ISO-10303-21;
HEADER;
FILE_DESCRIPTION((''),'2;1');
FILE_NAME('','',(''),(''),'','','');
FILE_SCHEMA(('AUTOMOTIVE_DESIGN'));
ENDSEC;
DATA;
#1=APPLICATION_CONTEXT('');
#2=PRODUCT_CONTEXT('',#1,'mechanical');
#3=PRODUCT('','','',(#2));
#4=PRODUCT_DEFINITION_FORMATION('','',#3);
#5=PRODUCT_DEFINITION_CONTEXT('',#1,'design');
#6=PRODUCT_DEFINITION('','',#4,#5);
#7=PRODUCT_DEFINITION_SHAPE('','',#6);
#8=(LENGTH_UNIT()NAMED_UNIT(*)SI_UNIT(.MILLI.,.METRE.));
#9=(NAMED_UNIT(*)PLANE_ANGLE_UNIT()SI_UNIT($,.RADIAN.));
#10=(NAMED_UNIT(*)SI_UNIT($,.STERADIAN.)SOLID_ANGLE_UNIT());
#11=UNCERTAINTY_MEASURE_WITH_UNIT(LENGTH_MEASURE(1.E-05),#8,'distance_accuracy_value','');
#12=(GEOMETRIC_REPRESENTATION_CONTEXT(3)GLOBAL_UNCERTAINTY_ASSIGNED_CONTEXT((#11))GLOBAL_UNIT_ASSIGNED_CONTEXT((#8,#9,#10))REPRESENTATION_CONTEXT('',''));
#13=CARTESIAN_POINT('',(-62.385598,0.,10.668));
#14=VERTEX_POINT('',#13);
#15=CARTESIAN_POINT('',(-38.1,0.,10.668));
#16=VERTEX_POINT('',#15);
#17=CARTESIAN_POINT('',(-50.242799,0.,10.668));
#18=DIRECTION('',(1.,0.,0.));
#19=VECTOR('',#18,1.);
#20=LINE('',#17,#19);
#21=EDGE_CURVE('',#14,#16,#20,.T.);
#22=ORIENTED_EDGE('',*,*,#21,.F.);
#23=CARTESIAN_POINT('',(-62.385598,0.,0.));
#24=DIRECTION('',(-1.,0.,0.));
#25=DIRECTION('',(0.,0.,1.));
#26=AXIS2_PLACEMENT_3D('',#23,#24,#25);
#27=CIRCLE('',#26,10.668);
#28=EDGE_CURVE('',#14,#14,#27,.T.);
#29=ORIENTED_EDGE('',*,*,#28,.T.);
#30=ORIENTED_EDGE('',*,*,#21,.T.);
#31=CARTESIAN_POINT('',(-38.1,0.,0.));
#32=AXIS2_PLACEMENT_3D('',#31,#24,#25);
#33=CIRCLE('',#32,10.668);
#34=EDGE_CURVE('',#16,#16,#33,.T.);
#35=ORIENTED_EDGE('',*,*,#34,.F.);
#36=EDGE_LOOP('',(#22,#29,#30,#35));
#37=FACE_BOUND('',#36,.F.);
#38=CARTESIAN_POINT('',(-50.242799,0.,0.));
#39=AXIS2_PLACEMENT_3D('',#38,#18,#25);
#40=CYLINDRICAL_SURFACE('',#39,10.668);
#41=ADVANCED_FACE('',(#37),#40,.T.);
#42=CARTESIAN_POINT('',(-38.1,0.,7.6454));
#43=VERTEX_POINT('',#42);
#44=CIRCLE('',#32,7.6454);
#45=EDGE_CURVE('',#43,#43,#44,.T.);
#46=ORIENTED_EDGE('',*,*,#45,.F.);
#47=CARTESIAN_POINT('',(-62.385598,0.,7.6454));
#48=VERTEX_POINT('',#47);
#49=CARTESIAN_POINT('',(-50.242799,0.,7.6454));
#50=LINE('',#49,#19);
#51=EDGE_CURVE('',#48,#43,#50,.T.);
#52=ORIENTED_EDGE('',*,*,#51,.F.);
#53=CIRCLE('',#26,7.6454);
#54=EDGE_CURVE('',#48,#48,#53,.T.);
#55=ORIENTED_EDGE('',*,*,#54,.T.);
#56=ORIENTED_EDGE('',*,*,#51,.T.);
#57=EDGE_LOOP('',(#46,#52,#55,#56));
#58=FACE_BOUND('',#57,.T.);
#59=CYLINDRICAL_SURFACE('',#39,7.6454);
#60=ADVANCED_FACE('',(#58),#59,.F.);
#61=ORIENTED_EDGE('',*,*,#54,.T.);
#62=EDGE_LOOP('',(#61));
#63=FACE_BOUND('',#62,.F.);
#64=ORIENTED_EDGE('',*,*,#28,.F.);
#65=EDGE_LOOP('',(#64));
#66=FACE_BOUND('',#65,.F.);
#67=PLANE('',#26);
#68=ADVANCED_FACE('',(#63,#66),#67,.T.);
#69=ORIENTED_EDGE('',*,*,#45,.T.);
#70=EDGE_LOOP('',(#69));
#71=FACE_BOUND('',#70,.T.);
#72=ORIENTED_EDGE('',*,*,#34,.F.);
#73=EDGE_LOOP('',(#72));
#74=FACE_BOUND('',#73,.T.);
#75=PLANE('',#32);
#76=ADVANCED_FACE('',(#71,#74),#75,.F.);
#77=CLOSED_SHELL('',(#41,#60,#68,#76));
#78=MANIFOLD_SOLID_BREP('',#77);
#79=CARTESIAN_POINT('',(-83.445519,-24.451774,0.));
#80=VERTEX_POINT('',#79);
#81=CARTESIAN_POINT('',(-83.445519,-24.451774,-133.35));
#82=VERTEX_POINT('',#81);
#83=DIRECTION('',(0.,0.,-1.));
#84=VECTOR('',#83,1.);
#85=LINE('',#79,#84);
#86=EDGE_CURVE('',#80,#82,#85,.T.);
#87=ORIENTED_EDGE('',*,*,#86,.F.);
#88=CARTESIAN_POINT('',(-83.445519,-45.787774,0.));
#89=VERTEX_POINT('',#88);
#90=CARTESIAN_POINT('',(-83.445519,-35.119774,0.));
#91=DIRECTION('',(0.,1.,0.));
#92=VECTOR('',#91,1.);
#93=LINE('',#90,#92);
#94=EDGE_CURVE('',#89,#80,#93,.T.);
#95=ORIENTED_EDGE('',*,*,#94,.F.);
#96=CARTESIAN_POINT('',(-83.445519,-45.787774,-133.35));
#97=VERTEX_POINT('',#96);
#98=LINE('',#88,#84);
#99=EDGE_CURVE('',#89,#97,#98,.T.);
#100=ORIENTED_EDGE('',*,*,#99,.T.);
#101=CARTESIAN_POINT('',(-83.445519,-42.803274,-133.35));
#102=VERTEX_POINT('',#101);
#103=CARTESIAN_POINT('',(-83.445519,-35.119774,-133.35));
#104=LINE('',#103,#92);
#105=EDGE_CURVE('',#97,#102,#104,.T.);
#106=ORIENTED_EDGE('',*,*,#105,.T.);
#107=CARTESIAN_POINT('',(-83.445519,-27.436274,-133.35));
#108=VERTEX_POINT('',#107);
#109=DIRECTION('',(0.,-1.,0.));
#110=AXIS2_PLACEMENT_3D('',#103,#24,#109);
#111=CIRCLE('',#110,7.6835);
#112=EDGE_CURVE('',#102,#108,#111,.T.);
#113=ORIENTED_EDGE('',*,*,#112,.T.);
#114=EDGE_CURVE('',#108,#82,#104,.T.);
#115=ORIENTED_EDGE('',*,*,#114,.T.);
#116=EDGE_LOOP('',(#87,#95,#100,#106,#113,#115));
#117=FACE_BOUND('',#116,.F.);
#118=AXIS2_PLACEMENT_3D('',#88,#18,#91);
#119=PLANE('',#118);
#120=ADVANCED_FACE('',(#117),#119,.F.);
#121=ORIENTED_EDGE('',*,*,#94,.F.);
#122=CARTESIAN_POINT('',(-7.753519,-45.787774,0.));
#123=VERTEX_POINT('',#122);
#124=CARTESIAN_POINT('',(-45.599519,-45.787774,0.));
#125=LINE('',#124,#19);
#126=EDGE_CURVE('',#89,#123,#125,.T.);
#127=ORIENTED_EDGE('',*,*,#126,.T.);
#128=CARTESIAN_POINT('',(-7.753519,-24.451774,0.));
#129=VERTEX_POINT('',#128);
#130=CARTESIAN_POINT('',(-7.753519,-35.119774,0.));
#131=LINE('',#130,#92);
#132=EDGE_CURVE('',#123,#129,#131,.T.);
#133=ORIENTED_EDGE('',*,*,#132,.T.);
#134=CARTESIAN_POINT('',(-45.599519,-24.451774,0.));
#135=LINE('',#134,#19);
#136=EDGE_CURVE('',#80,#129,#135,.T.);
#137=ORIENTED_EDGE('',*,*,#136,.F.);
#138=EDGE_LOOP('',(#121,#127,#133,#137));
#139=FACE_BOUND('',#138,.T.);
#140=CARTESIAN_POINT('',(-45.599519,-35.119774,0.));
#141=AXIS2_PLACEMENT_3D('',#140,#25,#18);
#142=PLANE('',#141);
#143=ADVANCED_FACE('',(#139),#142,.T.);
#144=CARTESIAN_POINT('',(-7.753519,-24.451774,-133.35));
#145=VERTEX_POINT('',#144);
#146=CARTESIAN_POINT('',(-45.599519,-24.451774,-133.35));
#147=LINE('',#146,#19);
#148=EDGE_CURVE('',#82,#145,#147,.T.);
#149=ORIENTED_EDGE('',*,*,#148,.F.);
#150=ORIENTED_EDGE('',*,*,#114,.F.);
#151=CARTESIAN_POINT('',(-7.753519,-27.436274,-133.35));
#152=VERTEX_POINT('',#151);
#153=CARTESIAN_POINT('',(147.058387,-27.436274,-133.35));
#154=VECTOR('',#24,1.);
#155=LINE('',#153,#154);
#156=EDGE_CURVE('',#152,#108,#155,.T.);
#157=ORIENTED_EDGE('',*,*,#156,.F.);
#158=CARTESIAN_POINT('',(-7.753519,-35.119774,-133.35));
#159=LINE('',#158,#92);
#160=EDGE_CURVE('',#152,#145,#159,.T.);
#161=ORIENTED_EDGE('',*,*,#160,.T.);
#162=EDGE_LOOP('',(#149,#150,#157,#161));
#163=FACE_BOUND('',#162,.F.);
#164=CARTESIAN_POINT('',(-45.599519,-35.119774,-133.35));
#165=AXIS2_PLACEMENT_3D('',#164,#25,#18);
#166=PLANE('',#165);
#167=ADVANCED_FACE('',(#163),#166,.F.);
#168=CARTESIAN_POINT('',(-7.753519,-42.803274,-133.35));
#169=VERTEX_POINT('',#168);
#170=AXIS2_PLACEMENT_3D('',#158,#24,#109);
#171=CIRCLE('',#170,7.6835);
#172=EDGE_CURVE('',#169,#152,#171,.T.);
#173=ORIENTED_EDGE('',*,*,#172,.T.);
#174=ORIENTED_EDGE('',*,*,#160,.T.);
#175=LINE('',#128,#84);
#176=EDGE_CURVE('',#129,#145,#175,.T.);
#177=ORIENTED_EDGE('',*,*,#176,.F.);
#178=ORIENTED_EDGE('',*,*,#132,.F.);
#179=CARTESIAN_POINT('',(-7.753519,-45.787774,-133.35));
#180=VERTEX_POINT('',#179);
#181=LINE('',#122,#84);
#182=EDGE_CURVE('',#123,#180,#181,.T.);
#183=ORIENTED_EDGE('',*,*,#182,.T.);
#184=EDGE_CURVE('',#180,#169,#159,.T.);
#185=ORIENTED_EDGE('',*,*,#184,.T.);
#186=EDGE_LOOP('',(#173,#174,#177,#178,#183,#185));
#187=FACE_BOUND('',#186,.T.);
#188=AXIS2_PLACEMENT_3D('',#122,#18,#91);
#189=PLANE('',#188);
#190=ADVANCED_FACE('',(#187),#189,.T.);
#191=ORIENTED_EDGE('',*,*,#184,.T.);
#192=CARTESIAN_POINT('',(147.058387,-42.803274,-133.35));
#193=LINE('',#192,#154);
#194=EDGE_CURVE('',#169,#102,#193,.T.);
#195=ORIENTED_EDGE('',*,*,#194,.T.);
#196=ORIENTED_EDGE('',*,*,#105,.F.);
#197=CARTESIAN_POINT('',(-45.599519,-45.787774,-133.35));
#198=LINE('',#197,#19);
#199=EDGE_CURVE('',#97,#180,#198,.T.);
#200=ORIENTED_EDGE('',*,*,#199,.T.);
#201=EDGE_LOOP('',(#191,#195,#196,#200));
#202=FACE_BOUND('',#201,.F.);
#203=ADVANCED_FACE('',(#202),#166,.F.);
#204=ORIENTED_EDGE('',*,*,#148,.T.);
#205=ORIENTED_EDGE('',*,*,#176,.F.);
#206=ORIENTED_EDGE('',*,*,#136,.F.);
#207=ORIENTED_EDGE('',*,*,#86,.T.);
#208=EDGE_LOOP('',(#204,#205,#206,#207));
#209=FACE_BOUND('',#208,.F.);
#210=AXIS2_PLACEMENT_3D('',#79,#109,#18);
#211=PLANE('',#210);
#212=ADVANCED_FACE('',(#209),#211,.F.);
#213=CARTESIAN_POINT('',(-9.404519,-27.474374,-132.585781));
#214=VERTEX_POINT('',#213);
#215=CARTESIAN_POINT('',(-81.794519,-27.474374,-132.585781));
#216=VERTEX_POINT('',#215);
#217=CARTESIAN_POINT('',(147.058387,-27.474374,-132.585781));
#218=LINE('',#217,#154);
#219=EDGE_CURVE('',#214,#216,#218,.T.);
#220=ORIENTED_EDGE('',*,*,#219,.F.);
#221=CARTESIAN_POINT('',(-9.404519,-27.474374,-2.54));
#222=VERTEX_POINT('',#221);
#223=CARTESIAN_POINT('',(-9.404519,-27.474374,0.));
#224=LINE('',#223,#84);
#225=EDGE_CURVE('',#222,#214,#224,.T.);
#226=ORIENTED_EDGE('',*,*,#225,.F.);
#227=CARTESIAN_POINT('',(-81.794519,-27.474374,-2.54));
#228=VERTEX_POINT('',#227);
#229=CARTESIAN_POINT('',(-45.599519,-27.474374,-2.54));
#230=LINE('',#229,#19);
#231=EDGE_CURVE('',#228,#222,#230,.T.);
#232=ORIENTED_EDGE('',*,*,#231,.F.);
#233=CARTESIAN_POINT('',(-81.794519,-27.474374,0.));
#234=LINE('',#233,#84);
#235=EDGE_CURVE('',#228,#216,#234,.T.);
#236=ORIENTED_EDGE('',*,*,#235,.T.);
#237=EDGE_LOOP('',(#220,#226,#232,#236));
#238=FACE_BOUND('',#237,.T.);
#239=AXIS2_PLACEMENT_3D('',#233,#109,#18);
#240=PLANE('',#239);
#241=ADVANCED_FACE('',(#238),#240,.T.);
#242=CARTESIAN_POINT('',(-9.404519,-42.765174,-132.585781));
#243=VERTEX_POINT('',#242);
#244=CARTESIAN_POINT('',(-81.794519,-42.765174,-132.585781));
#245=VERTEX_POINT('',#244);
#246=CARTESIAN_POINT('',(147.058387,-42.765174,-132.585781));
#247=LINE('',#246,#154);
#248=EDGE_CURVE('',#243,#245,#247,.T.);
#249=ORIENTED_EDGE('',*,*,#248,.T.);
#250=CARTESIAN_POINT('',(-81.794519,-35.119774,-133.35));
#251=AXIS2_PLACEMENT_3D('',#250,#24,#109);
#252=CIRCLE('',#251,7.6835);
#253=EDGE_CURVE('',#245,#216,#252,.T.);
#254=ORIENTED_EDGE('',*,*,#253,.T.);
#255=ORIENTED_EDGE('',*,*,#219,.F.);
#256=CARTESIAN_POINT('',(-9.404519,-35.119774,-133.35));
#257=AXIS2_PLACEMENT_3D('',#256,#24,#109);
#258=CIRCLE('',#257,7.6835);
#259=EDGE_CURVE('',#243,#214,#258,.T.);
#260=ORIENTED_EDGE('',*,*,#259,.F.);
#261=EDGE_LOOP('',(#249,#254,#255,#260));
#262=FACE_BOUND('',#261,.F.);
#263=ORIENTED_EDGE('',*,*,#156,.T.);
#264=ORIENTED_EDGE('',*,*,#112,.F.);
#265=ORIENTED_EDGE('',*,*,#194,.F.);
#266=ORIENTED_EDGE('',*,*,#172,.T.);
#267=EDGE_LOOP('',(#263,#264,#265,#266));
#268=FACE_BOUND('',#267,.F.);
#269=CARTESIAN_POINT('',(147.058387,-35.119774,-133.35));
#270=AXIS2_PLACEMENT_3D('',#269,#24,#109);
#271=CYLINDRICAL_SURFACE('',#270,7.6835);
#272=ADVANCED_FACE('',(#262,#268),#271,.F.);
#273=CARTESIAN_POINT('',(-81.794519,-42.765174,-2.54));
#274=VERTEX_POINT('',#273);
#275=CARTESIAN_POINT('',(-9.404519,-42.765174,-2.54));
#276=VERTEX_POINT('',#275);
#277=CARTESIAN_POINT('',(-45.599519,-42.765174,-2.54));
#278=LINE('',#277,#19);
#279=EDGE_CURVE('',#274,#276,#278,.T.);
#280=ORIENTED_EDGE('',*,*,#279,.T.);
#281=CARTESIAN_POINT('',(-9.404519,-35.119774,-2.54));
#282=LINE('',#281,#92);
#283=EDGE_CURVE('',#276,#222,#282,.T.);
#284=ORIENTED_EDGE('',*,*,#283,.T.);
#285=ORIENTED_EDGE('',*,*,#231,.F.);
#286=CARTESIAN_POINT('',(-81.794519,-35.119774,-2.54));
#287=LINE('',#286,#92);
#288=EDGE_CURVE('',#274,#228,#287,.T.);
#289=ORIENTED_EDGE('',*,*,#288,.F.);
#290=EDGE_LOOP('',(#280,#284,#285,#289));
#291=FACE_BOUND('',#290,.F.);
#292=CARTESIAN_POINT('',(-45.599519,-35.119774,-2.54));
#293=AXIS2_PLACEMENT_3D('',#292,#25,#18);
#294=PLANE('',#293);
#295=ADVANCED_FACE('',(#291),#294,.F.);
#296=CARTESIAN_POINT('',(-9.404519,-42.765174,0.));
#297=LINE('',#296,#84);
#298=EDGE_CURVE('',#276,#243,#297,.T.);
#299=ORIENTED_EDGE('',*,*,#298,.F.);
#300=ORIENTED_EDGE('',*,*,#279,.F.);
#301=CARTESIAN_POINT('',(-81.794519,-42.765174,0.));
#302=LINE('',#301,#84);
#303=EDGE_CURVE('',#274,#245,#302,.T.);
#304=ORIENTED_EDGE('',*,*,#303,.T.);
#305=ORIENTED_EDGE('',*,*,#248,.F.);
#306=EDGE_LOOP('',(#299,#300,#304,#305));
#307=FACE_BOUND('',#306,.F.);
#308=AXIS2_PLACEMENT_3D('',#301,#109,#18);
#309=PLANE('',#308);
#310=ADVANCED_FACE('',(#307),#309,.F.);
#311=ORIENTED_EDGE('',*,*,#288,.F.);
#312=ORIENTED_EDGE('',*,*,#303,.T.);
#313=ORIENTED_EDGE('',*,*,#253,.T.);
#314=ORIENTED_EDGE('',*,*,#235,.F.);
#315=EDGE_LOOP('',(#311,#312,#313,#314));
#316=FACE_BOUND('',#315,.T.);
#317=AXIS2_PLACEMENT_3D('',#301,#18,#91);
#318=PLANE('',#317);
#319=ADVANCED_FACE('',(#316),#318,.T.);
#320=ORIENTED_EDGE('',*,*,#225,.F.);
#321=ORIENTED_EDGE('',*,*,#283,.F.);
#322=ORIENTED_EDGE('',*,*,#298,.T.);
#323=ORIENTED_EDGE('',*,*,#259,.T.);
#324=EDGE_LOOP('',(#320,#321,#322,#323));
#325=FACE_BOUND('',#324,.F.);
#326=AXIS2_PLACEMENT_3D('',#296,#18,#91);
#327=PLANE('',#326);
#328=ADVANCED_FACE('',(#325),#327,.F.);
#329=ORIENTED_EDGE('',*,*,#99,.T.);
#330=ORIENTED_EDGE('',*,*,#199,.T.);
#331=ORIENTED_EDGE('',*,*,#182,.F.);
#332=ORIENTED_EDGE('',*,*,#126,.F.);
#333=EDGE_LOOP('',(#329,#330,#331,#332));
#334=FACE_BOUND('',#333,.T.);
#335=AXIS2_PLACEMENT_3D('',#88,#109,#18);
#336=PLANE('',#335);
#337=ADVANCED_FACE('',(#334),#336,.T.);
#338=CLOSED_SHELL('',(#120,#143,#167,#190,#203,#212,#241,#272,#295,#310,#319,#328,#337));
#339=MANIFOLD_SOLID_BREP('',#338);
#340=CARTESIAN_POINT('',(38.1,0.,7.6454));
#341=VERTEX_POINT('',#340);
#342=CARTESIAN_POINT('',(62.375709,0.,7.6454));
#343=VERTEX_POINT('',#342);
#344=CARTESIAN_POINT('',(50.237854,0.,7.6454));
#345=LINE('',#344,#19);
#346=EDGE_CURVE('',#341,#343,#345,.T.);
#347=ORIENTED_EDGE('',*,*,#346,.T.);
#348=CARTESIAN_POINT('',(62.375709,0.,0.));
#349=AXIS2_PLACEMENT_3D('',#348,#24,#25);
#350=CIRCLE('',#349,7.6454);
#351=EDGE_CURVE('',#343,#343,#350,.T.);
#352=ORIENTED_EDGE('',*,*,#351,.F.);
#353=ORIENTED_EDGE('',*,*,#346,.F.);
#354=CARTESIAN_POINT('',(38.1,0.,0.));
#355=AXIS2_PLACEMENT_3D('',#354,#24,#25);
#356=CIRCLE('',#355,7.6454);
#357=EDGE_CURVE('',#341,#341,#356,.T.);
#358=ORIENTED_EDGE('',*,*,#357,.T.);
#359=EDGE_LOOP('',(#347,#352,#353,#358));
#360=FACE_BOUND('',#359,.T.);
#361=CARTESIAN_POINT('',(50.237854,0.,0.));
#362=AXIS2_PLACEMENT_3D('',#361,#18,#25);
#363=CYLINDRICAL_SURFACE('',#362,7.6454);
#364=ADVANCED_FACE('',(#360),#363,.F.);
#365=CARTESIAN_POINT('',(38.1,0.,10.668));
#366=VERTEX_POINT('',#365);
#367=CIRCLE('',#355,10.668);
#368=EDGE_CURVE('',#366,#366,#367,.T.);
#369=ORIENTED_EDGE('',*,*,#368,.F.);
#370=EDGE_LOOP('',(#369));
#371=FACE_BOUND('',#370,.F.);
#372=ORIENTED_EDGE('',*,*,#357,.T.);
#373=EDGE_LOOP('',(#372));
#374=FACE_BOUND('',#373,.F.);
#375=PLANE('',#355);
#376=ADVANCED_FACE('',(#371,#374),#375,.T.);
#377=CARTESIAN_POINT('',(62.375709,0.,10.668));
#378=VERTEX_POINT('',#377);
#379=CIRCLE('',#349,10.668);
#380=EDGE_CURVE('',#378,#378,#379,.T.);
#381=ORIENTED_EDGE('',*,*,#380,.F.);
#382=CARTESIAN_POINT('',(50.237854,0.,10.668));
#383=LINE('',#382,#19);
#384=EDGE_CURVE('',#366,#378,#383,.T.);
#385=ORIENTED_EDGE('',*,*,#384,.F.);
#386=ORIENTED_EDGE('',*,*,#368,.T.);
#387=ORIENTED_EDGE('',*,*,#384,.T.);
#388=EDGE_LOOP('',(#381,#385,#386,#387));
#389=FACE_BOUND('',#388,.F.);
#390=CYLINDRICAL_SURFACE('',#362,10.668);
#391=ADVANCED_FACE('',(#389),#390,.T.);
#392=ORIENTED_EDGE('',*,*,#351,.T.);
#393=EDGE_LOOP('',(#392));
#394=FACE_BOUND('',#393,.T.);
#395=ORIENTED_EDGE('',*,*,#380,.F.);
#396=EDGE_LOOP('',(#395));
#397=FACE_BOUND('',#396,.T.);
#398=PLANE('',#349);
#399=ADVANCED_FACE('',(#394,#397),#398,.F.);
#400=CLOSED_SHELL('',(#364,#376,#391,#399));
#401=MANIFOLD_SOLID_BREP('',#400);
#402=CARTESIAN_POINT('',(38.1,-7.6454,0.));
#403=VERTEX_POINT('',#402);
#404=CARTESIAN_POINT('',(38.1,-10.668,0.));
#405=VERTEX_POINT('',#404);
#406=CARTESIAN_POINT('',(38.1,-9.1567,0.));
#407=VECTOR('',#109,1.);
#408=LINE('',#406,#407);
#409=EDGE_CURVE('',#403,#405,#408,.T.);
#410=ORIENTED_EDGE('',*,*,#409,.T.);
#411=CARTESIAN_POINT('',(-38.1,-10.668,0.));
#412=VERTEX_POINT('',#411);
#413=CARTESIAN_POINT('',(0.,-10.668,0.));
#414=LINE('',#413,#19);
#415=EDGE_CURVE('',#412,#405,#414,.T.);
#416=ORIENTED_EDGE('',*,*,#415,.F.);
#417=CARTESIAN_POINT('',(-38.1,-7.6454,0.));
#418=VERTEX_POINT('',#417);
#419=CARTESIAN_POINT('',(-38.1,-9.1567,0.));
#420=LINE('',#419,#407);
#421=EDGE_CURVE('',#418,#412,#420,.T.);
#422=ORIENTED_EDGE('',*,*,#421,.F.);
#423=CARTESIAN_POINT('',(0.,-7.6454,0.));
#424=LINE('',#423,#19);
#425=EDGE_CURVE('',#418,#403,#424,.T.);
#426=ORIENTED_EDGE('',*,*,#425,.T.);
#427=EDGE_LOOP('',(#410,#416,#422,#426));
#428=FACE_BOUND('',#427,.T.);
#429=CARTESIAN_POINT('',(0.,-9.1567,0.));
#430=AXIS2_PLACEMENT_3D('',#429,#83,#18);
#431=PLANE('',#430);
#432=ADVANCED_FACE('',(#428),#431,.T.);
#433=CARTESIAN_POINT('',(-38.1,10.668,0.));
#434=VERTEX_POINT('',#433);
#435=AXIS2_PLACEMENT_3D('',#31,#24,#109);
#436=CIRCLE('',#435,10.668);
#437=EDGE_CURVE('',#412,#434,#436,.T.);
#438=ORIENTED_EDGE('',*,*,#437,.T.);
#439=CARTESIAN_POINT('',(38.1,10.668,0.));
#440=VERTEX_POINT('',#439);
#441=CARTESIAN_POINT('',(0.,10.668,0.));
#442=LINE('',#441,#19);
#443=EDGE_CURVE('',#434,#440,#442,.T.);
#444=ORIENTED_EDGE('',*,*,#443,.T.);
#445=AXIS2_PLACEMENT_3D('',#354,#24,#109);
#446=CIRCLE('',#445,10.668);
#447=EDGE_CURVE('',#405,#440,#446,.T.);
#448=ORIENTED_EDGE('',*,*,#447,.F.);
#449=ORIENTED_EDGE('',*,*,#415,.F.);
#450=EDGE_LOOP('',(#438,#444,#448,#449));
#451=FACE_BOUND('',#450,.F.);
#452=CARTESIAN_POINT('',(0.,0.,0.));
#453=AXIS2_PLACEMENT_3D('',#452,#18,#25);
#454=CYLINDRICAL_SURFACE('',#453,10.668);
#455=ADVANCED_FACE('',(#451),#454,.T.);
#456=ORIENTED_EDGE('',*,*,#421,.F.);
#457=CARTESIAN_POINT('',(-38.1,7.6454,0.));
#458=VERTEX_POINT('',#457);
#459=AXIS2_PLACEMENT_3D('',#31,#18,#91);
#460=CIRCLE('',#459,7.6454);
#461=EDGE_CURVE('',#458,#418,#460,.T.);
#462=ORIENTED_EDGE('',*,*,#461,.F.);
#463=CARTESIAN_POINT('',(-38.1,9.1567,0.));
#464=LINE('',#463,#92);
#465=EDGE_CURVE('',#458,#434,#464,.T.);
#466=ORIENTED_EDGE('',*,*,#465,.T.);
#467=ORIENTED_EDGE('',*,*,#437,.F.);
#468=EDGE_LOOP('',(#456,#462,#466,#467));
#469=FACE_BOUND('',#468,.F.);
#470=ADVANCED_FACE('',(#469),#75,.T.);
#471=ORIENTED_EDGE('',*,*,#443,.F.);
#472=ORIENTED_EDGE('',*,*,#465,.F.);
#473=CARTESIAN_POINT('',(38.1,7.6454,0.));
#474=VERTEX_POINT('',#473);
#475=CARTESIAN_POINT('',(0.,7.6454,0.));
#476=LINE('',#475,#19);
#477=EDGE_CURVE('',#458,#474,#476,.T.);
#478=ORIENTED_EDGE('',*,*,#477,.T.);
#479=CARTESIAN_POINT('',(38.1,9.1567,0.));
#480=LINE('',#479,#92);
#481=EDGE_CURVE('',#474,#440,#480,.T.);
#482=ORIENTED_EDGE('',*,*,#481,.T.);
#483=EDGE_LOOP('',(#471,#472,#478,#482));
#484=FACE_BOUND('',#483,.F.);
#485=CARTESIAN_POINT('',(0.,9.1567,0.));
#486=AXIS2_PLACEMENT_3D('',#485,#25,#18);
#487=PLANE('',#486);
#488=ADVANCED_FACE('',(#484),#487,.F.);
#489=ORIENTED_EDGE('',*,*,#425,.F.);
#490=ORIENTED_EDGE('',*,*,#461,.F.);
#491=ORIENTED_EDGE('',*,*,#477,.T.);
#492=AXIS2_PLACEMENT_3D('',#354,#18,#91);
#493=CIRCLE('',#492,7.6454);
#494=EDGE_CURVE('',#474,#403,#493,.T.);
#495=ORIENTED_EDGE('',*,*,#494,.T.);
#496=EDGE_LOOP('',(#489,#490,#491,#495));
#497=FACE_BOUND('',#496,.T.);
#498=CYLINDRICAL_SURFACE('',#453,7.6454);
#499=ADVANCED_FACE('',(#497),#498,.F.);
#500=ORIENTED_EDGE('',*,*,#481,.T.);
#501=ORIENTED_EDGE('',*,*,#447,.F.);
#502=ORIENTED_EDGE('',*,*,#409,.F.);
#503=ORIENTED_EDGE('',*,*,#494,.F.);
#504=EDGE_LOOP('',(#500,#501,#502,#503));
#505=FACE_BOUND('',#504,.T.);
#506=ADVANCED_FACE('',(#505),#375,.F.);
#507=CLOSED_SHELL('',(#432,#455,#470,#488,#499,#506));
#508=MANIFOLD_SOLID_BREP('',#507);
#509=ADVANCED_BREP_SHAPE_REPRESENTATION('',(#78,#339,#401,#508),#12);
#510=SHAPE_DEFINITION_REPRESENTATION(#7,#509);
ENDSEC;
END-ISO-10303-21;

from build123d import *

# Parameters (mm, degrees)
F0_W     = 76.2
F0_H     = 3.0226
F1_ANGLE = 180
F2_W     = 24.275709
F2_H     = 3.0226
F2_W_2   = 24.285598
F4_W     = 75.692
F4_H     = 21.336
F4_W_2   = 72.39
F4_H_2   = 15.2908
F5_DEPTH = 133.35
F6_DEPTH = 2.54
F8_D     = 15.367


with BuildPart() as f1:
    # F0 (on Front) → F1 (revolve, symmetric)
    with BuildSketch(Plane.XZ) as f1_sk:
        with Locations((0, 9.1567)):
            Rectangle(F0_W, F0_H)
    revolve(axis=Axis((6.4693, 0, 0), (1, 0, 0)), revolution_arc=F1_ANGLE / 2)
    revolve(f1_sk.sketch, axis=Axis((6.4693, 0, 0), (-1, 0, 0)), revolution_arc=F1_ANGLE / 2)


with BuildPart() as f3:
    # F2 (on Front) → F3 (revolve)
    with BuildSketch(Plane.XZ):
        with Locations((50.237854, 9.1567)):
            Rectangle(F2_W, F2_H)
        with Locations((-50.242799, 9.1567)):
            Rectangle(F2_W_2, F2_H)
    revolve(axis=Axis((7.914741, 0, 0), (-1, 0, 0)))


with BuildPart() as f5:
    # F4 (on Top) → F5 (new body)
    with BuildSketch(Plane.XY):
        with Locations((-45.599519, -35.119774)):
            Rectangle(F4_W, F4_H)
        with Locations((-45.599519, -35.119774)):
            Rectangle(F4_W_2, F4_H_2, mode=Mode.SUBTRACT)
    extrude(amount=-F5_DEPTH)

    # F4 (on Top) → F6 (join)
    with BuildSketch(Plane.XY):
        with Locations((-45.599519, -35.119774)):
            Rectangle(F4_W_2, F4_H_2)
    extrude(amount=-F6_DEPTH)

    # F8 (through all)
    with Locations(Plane.YZ.offset(-7.753519)):
        with Locations((-35.119774, -133.35)):
            Hole(F8_D / 2)


solid = Compound([f1.part, f3.part, f5.part])
